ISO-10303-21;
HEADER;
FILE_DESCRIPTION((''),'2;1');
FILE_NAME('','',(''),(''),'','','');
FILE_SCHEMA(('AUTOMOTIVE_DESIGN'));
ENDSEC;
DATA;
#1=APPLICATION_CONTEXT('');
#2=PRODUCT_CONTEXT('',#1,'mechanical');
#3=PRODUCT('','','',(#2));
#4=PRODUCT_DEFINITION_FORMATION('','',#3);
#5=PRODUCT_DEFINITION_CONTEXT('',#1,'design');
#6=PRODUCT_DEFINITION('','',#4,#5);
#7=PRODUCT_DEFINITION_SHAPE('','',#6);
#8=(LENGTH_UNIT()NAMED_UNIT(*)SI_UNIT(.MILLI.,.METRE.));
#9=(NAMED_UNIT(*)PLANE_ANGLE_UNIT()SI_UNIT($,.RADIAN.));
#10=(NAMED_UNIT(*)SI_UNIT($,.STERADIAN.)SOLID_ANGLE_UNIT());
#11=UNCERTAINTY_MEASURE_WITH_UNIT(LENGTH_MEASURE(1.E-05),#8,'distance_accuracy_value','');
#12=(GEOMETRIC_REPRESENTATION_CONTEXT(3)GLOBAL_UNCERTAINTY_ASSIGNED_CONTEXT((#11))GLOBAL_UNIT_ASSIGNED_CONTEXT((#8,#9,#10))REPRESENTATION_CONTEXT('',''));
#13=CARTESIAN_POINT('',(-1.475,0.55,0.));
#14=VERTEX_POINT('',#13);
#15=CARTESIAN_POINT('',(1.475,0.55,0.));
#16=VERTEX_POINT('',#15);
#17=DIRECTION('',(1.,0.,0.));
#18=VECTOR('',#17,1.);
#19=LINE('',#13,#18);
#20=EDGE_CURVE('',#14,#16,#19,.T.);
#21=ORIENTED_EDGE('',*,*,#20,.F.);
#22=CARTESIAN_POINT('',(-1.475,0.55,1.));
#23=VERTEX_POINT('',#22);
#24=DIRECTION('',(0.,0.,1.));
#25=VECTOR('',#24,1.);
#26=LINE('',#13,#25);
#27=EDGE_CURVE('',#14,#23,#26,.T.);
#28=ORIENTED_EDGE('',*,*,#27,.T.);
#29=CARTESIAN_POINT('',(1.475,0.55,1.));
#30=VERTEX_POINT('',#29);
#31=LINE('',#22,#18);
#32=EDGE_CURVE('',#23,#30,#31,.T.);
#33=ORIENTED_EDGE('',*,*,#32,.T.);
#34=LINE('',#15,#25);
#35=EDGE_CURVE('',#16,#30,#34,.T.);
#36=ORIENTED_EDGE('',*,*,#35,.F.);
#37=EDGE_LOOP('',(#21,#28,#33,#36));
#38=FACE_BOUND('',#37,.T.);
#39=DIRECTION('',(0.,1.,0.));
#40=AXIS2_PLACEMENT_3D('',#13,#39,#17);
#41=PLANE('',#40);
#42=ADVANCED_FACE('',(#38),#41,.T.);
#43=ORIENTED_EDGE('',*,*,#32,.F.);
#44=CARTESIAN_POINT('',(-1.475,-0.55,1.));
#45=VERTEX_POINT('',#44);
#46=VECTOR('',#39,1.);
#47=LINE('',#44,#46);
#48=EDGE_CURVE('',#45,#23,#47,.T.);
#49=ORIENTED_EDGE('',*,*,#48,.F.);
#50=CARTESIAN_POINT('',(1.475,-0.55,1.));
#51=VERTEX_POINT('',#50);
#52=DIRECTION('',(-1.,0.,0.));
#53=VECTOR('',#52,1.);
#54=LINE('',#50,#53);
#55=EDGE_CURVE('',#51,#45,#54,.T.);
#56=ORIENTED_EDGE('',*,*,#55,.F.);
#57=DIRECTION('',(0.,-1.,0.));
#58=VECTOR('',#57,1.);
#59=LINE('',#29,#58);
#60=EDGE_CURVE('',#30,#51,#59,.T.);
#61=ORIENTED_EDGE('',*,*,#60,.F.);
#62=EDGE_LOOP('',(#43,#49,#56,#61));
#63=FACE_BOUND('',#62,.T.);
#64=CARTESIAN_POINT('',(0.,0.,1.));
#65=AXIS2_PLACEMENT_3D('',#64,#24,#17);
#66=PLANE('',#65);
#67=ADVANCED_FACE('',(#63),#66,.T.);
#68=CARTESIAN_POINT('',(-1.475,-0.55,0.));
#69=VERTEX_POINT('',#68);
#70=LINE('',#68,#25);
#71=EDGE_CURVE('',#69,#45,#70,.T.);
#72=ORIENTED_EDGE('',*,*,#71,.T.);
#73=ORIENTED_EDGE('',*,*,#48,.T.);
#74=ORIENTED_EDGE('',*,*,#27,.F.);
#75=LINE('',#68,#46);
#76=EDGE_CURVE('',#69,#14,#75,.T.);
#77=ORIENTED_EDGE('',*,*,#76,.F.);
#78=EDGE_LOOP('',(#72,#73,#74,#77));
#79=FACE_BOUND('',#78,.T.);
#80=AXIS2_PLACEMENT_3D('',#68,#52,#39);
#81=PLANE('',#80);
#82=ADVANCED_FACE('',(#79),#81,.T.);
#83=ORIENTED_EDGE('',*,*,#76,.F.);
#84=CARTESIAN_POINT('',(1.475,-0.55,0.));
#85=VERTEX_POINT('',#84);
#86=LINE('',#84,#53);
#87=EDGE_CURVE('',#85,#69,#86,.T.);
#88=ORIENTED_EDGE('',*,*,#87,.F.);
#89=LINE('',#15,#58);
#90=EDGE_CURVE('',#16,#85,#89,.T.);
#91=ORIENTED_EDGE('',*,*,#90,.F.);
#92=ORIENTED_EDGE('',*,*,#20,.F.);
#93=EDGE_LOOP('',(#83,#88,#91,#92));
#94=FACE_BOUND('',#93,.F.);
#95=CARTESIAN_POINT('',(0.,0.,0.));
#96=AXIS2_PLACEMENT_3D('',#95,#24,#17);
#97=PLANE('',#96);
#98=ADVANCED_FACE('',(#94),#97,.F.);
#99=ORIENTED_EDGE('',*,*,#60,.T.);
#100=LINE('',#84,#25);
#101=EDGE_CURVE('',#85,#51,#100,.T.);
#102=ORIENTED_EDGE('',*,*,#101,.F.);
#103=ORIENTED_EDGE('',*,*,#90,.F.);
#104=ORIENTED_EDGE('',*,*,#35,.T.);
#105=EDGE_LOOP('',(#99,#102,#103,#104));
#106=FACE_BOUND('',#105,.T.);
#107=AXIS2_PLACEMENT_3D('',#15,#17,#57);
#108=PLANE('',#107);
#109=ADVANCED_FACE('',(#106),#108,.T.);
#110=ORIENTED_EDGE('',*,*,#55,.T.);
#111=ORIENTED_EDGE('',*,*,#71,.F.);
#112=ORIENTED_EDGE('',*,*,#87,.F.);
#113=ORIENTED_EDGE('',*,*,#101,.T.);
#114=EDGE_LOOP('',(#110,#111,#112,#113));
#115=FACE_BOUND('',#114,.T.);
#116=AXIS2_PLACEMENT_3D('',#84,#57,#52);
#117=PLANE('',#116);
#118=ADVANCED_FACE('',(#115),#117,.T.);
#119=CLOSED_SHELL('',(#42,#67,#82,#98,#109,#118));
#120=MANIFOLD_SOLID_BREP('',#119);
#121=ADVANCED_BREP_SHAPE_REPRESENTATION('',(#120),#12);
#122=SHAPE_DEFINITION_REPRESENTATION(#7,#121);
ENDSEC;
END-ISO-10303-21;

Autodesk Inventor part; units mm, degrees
ref_plane "YZ Plane" through (0, 0, 0) normal (1, 0, 0) x (0, 1, 0)
ref_plane "XZ Plane" through (0, 0, 0) normal (0, 1, 0) x (-1, 0, 0)
ref_plane "XY Plane" through (0, 0, 0) normal (0, 0, 1) x (1, 0, 0)
sketch "FB_0603, FB_0603_127" plane through (0, 0, 0) normal (0, 0, 1) x (1, 0, 0)
  line L0 (-1.475, -0.55) -> (-1.475, 0.55)
  line L1 (-1.475, 0.55) -> (1.475, 0.55)
  line L2 (1.475, 0.55) -> (1.475, -0.55)
  line L3 (1.475, -0.55) -> (-1.475, -0.55)
extrude "Extrusion1" add sketch "FB_0603, FB_0603_127" along normal blind 1
properties part number "FB_0603"
